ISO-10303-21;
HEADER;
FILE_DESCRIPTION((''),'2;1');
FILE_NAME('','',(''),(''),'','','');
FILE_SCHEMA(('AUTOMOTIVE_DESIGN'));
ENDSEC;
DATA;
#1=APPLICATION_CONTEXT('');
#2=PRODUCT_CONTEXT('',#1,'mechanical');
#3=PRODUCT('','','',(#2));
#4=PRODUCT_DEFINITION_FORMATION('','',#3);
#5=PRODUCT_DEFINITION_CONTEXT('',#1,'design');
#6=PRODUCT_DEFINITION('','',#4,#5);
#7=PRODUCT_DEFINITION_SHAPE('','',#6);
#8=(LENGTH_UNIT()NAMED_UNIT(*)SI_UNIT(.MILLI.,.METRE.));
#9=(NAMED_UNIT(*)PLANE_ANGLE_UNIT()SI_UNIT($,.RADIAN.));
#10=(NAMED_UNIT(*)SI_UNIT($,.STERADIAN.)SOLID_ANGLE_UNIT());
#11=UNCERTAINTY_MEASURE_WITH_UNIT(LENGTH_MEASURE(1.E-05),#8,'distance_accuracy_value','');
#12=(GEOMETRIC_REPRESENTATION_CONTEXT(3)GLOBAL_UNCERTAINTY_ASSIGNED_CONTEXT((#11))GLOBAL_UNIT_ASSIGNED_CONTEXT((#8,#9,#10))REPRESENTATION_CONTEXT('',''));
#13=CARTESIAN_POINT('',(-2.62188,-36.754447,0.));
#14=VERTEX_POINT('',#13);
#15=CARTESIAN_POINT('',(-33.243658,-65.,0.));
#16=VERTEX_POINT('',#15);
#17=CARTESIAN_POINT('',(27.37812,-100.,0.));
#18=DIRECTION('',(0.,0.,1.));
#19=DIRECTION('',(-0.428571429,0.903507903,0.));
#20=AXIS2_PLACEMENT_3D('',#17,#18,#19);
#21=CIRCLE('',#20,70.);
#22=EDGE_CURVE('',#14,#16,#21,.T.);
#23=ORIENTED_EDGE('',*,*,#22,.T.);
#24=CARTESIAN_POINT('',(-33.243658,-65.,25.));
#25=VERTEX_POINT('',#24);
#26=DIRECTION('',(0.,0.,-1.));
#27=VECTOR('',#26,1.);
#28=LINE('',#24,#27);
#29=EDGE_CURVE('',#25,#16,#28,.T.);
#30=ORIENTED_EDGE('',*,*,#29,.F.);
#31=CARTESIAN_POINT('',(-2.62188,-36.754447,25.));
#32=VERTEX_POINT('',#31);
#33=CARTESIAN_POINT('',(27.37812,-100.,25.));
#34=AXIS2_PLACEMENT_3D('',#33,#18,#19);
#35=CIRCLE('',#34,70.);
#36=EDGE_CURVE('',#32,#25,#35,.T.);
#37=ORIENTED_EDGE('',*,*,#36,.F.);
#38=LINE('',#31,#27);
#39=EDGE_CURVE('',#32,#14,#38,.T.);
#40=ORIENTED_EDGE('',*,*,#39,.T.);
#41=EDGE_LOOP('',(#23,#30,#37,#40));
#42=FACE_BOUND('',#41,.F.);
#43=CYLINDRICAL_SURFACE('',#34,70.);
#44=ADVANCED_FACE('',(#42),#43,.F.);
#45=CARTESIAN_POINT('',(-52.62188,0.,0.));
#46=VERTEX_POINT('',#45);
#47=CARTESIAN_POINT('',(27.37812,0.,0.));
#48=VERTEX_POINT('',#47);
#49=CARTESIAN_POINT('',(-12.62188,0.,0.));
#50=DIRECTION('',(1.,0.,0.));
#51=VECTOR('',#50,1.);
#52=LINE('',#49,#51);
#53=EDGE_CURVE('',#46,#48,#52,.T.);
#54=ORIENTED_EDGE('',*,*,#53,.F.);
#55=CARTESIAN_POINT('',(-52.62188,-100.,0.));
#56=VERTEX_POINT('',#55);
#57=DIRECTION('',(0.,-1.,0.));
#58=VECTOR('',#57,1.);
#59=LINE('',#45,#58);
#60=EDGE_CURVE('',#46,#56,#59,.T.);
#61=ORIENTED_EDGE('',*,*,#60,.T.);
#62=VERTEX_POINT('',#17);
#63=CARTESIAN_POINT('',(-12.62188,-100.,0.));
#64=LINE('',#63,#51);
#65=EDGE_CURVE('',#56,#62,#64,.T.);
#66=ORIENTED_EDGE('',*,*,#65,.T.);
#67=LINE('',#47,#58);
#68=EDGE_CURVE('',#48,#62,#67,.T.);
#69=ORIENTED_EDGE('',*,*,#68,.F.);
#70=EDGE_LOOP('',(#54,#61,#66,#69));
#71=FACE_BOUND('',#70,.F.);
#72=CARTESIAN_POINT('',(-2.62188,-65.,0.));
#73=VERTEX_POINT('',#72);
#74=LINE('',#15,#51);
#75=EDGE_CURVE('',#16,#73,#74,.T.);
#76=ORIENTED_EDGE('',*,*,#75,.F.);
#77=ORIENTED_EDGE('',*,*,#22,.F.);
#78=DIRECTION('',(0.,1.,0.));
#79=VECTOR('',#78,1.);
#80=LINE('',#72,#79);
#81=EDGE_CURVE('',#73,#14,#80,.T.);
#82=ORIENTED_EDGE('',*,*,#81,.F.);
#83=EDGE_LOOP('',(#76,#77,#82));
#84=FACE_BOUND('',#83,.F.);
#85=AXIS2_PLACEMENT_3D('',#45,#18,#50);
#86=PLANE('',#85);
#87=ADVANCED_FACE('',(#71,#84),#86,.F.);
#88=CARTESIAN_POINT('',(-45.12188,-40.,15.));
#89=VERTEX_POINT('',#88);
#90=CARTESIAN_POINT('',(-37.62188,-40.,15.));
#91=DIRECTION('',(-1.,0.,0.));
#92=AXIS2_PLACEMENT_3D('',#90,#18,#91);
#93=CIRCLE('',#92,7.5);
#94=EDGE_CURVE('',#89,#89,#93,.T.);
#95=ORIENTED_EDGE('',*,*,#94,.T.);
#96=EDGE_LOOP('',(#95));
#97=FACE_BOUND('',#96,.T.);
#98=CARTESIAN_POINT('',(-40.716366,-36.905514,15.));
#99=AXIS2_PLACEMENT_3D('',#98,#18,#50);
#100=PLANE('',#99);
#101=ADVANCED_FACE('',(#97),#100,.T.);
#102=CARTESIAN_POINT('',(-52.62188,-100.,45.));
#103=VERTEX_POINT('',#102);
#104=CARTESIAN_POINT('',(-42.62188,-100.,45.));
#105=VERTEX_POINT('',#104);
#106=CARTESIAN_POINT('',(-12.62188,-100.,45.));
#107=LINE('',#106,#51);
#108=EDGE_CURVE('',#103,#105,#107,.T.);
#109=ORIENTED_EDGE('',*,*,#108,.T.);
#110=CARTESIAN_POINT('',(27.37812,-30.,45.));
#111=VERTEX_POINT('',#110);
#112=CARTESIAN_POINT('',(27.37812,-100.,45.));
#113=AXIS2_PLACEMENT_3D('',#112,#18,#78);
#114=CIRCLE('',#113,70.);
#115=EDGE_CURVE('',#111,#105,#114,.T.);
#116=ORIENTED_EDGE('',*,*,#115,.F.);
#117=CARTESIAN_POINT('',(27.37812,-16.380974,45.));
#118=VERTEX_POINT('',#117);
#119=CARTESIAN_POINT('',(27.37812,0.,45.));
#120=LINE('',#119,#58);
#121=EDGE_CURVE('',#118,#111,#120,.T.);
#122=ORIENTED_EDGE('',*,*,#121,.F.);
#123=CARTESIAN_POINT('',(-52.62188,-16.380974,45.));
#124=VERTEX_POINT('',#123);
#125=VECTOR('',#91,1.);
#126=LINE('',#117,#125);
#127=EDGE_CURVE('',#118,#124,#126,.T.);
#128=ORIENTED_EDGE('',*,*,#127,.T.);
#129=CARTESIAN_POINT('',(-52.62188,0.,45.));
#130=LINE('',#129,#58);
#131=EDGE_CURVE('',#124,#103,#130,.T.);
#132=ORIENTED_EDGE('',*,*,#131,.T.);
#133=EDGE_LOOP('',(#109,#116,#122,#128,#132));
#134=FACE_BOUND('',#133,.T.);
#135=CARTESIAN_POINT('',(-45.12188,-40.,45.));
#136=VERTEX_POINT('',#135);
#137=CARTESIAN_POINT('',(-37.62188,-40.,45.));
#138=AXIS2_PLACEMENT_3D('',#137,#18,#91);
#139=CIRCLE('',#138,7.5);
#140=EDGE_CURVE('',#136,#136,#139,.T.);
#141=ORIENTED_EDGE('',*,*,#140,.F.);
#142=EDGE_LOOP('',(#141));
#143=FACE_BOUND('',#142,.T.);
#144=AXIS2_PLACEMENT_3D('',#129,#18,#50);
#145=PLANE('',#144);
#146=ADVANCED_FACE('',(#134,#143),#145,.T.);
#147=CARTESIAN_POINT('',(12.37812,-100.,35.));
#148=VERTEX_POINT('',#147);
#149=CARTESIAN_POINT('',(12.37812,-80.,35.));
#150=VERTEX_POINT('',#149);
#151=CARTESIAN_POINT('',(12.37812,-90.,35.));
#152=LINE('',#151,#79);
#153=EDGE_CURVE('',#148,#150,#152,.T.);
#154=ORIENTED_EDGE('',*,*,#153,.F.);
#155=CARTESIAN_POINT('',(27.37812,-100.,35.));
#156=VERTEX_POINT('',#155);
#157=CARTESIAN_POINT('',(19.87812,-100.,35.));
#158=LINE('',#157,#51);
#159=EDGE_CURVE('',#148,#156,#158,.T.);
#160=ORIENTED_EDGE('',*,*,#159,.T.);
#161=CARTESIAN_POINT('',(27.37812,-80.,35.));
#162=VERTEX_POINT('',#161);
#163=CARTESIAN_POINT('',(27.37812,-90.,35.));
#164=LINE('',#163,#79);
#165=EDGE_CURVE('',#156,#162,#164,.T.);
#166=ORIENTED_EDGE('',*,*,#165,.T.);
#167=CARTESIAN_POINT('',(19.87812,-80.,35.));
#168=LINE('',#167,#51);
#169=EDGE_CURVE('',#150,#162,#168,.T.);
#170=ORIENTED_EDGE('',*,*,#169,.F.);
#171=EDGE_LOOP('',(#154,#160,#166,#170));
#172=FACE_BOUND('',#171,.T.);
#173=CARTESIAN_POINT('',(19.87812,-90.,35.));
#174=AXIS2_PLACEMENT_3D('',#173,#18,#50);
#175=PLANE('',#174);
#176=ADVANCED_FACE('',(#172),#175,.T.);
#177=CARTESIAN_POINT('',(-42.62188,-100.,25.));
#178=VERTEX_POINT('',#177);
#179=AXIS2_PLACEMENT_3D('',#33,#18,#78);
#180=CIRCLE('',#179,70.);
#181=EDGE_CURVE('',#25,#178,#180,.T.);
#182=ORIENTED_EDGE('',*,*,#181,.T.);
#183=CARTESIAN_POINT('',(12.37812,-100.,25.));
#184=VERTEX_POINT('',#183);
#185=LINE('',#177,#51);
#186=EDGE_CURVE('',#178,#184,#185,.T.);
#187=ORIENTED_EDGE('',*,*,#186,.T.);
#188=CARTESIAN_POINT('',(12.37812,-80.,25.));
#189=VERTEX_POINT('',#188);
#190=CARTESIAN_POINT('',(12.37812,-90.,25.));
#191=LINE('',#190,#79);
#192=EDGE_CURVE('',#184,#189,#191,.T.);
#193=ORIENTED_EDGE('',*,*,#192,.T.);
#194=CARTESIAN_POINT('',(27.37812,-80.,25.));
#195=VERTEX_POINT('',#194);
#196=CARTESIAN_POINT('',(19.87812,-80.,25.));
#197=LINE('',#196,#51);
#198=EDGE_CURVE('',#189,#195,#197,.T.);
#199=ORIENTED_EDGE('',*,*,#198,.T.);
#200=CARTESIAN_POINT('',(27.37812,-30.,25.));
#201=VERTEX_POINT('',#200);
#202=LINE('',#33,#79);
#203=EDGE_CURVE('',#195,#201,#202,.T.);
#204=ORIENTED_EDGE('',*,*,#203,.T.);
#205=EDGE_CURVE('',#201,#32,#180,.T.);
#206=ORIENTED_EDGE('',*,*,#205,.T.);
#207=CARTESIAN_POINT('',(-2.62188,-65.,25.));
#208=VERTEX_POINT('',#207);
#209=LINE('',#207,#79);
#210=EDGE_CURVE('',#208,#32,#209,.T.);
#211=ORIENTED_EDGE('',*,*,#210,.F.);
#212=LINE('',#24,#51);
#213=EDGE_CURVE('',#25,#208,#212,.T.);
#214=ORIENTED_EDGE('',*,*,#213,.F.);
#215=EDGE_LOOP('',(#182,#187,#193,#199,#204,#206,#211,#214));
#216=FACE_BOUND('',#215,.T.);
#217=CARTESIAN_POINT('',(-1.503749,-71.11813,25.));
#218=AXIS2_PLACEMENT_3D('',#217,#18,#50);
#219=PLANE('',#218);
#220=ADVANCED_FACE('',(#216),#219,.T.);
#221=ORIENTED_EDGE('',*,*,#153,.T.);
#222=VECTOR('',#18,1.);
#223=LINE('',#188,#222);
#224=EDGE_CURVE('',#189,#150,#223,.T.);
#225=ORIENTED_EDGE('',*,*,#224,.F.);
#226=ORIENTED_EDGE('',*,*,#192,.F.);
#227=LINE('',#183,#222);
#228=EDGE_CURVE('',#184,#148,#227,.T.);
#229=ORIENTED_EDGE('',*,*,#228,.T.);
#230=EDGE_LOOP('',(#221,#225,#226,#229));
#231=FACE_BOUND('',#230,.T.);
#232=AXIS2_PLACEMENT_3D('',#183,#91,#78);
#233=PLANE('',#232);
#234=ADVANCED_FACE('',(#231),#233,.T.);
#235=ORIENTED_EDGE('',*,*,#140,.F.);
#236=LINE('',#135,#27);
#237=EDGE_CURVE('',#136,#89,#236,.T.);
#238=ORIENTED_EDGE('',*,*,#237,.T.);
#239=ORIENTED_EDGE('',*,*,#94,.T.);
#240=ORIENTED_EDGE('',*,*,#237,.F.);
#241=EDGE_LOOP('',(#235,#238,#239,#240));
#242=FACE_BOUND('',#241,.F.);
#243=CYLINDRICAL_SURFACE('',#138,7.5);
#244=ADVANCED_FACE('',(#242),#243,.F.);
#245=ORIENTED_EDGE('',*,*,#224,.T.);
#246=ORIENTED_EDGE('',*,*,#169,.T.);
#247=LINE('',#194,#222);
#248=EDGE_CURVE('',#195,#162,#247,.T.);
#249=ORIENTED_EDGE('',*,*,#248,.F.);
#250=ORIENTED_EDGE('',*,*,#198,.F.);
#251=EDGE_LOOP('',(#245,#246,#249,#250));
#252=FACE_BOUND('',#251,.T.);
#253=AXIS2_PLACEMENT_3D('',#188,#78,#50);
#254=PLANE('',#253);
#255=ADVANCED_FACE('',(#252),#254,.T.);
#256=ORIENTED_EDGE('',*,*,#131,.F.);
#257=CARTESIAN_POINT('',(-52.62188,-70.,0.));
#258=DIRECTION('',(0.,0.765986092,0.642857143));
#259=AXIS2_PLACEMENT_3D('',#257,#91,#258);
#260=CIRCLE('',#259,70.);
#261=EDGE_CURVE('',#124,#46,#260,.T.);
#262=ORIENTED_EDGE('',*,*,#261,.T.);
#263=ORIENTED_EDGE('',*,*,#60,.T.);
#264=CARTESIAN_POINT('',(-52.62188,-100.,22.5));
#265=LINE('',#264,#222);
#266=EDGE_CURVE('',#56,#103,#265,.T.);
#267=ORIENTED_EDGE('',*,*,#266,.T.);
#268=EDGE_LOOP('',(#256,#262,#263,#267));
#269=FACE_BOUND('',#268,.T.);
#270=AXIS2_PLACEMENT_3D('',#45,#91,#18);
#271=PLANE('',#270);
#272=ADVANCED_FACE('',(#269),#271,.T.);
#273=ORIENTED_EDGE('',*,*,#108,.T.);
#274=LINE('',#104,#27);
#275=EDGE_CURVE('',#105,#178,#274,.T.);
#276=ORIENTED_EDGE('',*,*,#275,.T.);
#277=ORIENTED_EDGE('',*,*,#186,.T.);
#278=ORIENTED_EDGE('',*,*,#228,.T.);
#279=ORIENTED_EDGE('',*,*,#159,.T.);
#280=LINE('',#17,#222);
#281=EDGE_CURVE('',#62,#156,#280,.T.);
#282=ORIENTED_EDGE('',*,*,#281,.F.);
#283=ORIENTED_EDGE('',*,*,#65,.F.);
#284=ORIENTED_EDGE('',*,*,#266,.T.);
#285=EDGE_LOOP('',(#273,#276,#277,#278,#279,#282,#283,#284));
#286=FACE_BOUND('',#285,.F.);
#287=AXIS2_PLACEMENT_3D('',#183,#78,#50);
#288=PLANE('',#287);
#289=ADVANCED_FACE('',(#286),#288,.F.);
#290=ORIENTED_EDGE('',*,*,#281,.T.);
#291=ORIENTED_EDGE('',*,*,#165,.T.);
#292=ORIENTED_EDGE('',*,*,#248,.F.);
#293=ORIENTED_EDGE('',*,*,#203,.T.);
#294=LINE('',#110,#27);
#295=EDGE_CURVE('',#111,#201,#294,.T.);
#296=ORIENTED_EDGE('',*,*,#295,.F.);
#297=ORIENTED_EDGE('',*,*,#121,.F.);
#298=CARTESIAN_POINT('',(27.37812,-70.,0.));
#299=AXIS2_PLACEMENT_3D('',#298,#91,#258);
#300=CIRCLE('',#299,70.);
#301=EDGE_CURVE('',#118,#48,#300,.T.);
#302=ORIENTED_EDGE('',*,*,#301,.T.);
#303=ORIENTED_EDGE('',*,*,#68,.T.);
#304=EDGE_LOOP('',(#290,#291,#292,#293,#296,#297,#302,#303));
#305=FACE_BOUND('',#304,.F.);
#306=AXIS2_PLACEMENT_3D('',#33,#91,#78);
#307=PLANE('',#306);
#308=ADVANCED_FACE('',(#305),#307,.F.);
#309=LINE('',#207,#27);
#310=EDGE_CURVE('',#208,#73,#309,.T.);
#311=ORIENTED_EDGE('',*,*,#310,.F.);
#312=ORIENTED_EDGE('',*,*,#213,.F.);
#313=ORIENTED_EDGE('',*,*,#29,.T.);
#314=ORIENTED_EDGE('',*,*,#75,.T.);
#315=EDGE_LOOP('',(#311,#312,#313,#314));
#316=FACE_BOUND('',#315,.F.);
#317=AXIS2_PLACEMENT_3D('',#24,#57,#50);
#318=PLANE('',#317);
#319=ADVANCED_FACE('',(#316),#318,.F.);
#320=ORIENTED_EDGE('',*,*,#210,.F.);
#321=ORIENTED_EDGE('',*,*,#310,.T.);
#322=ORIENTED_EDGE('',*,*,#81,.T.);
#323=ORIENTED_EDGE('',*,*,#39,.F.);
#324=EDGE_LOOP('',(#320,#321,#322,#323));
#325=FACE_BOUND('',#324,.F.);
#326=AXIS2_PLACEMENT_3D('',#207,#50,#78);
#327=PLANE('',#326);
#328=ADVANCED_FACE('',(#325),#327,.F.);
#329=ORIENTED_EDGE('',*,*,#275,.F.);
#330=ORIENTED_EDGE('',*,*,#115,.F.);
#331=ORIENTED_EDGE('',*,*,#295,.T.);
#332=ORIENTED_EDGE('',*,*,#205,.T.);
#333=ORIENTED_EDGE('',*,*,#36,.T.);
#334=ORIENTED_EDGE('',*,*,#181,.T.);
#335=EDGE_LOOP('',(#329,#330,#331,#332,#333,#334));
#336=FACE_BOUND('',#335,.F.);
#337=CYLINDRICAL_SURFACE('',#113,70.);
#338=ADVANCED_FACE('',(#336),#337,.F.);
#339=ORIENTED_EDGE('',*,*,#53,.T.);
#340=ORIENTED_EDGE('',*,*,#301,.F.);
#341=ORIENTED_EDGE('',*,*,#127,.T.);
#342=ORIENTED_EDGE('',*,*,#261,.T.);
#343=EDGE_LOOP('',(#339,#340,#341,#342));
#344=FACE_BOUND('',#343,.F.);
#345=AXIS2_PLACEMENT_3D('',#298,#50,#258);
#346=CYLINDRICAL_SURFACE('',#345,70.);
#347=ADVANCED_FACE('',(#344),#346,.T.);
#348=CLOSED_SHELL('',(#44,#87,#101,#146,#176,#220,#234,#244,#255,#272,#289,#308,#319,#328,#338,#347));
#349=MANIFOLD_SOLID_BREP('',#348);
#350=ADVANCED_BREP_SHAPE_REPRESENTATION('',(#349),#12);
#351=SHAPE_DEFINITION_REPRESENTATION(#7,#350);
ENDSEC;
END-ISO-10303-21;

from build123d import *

# Parameters (mm, degrees)
F0_W      = 80
F0_H      = 45
F1_DEPTH  = 100
F3_DEPTH  = 80
F5_DEPTH  = 20
F6_W      = 15
F6_H      = 20
F7_DEPTH  = 10
F9_DEPTH  = 25
F11_DEPTH = 30


with BuildPart() as f1:
    # F0 (on Front) → F1 (new body)
    with BuildSketch(Plane.XZ):
        with Locations((-12.6218795647, 22.5)):
            Rectangle(F0_W, F0_H)
    extrude(amount=F1_DEPTH)

    # F2 (on face) → F3 (cut)
    with BuildSketch(Plane.YZ.offset(27.3781204353)):
        with BuildLine():
            ThreePointArc((-16.3809735262, 45), (-4.2226032243, 23.944395449), (0, 0))
            Line((0, 0), (0, 45))
            Line((0, 45), (-16.3809735262, 45))
        make_face()
    extrude(amount=-F3_DEPTH, mode=Mode.SUBTRACT)

    # F4 (on face) → F5 (cut)
    with BuildSketch(Plane.XY.offset(45)):
        with BuildLine():
            Line((-42.6218795647, -100), (27.3781204353, -100))
            Line((27.3781204353, -100), (27.3781204353, -30))
            ThreePointArc((27.3781204353, -30), (-22.1193542478, -50.5025253169), (-42.6218795647, -100))
        make_face()
    extrude(amount=-F5_DEPTH, mode=Mode.SUBTRACT)

    # F6 (on face) → F7 (join)
    with BuildSketch(Plane.XY.offset(25)):
        with Locations((19.8781204353, -90)):
            Rectangle(F6_W, F6_H)
    extrude(amount=F7_DEPTH)

    # F8 (on face) → F9 (cut)
    with BuildSketch(Plane.XY.offset(25)):
        with BuildLine():
            Line((-33.2436578296, -65), (-28.5492483526, -65))
            Line((-28.5492483526, -65), (-2.6218795647, -65))
            Line((-2.6218795647, -65), (-2.6218795647, -48.4272129834))
            Line((-2.6218795647, -48.4272129834), (-2.6218795647, -36.7544467966))
            ThreePointArc((-2.6218795647, -36.7544467966), (-20.0827001741, -48.5464237678), (-33.2436578296, -65))
        make_face()
    extrude(amount=-F9_DEPTH, mode=Mode.SUBTRACT)

    # F10 (on face) → F11 (cut)
    with BuildSketch(Plane.XY.offset(45)):
        with BuildLine():
            ThreePointArc((-37.6218795647, -32.5), (-42.9251804236, -34.6966991411), (-45.1218795647, -40))
            Line((-45.1218795647, -40), (-37.6218795647, -40))
            Line((-37.6218795647, -40), (-37.6218795647, -32.5))
        make_face()
        with BuildLine():
            Line((-37.6218795647, -40), (-45.1218795647, -40))
            ThreePointArc((-45.1218795647, -40), (-37.6218795647, -47.5), (-30.1218795647, -40))
            ThreePointArc((-30.1218795647, -40), (-32.3185787058, -34.6966991411), (-37.6218795647, -32.5))
            Line((-37.6218795647, -32.5), (-37.6218795647, -40))
        make_face()
    extrude(amount=-F11_DEPTH, mode=Mode.SUBTRACT)


solid = f1.part
